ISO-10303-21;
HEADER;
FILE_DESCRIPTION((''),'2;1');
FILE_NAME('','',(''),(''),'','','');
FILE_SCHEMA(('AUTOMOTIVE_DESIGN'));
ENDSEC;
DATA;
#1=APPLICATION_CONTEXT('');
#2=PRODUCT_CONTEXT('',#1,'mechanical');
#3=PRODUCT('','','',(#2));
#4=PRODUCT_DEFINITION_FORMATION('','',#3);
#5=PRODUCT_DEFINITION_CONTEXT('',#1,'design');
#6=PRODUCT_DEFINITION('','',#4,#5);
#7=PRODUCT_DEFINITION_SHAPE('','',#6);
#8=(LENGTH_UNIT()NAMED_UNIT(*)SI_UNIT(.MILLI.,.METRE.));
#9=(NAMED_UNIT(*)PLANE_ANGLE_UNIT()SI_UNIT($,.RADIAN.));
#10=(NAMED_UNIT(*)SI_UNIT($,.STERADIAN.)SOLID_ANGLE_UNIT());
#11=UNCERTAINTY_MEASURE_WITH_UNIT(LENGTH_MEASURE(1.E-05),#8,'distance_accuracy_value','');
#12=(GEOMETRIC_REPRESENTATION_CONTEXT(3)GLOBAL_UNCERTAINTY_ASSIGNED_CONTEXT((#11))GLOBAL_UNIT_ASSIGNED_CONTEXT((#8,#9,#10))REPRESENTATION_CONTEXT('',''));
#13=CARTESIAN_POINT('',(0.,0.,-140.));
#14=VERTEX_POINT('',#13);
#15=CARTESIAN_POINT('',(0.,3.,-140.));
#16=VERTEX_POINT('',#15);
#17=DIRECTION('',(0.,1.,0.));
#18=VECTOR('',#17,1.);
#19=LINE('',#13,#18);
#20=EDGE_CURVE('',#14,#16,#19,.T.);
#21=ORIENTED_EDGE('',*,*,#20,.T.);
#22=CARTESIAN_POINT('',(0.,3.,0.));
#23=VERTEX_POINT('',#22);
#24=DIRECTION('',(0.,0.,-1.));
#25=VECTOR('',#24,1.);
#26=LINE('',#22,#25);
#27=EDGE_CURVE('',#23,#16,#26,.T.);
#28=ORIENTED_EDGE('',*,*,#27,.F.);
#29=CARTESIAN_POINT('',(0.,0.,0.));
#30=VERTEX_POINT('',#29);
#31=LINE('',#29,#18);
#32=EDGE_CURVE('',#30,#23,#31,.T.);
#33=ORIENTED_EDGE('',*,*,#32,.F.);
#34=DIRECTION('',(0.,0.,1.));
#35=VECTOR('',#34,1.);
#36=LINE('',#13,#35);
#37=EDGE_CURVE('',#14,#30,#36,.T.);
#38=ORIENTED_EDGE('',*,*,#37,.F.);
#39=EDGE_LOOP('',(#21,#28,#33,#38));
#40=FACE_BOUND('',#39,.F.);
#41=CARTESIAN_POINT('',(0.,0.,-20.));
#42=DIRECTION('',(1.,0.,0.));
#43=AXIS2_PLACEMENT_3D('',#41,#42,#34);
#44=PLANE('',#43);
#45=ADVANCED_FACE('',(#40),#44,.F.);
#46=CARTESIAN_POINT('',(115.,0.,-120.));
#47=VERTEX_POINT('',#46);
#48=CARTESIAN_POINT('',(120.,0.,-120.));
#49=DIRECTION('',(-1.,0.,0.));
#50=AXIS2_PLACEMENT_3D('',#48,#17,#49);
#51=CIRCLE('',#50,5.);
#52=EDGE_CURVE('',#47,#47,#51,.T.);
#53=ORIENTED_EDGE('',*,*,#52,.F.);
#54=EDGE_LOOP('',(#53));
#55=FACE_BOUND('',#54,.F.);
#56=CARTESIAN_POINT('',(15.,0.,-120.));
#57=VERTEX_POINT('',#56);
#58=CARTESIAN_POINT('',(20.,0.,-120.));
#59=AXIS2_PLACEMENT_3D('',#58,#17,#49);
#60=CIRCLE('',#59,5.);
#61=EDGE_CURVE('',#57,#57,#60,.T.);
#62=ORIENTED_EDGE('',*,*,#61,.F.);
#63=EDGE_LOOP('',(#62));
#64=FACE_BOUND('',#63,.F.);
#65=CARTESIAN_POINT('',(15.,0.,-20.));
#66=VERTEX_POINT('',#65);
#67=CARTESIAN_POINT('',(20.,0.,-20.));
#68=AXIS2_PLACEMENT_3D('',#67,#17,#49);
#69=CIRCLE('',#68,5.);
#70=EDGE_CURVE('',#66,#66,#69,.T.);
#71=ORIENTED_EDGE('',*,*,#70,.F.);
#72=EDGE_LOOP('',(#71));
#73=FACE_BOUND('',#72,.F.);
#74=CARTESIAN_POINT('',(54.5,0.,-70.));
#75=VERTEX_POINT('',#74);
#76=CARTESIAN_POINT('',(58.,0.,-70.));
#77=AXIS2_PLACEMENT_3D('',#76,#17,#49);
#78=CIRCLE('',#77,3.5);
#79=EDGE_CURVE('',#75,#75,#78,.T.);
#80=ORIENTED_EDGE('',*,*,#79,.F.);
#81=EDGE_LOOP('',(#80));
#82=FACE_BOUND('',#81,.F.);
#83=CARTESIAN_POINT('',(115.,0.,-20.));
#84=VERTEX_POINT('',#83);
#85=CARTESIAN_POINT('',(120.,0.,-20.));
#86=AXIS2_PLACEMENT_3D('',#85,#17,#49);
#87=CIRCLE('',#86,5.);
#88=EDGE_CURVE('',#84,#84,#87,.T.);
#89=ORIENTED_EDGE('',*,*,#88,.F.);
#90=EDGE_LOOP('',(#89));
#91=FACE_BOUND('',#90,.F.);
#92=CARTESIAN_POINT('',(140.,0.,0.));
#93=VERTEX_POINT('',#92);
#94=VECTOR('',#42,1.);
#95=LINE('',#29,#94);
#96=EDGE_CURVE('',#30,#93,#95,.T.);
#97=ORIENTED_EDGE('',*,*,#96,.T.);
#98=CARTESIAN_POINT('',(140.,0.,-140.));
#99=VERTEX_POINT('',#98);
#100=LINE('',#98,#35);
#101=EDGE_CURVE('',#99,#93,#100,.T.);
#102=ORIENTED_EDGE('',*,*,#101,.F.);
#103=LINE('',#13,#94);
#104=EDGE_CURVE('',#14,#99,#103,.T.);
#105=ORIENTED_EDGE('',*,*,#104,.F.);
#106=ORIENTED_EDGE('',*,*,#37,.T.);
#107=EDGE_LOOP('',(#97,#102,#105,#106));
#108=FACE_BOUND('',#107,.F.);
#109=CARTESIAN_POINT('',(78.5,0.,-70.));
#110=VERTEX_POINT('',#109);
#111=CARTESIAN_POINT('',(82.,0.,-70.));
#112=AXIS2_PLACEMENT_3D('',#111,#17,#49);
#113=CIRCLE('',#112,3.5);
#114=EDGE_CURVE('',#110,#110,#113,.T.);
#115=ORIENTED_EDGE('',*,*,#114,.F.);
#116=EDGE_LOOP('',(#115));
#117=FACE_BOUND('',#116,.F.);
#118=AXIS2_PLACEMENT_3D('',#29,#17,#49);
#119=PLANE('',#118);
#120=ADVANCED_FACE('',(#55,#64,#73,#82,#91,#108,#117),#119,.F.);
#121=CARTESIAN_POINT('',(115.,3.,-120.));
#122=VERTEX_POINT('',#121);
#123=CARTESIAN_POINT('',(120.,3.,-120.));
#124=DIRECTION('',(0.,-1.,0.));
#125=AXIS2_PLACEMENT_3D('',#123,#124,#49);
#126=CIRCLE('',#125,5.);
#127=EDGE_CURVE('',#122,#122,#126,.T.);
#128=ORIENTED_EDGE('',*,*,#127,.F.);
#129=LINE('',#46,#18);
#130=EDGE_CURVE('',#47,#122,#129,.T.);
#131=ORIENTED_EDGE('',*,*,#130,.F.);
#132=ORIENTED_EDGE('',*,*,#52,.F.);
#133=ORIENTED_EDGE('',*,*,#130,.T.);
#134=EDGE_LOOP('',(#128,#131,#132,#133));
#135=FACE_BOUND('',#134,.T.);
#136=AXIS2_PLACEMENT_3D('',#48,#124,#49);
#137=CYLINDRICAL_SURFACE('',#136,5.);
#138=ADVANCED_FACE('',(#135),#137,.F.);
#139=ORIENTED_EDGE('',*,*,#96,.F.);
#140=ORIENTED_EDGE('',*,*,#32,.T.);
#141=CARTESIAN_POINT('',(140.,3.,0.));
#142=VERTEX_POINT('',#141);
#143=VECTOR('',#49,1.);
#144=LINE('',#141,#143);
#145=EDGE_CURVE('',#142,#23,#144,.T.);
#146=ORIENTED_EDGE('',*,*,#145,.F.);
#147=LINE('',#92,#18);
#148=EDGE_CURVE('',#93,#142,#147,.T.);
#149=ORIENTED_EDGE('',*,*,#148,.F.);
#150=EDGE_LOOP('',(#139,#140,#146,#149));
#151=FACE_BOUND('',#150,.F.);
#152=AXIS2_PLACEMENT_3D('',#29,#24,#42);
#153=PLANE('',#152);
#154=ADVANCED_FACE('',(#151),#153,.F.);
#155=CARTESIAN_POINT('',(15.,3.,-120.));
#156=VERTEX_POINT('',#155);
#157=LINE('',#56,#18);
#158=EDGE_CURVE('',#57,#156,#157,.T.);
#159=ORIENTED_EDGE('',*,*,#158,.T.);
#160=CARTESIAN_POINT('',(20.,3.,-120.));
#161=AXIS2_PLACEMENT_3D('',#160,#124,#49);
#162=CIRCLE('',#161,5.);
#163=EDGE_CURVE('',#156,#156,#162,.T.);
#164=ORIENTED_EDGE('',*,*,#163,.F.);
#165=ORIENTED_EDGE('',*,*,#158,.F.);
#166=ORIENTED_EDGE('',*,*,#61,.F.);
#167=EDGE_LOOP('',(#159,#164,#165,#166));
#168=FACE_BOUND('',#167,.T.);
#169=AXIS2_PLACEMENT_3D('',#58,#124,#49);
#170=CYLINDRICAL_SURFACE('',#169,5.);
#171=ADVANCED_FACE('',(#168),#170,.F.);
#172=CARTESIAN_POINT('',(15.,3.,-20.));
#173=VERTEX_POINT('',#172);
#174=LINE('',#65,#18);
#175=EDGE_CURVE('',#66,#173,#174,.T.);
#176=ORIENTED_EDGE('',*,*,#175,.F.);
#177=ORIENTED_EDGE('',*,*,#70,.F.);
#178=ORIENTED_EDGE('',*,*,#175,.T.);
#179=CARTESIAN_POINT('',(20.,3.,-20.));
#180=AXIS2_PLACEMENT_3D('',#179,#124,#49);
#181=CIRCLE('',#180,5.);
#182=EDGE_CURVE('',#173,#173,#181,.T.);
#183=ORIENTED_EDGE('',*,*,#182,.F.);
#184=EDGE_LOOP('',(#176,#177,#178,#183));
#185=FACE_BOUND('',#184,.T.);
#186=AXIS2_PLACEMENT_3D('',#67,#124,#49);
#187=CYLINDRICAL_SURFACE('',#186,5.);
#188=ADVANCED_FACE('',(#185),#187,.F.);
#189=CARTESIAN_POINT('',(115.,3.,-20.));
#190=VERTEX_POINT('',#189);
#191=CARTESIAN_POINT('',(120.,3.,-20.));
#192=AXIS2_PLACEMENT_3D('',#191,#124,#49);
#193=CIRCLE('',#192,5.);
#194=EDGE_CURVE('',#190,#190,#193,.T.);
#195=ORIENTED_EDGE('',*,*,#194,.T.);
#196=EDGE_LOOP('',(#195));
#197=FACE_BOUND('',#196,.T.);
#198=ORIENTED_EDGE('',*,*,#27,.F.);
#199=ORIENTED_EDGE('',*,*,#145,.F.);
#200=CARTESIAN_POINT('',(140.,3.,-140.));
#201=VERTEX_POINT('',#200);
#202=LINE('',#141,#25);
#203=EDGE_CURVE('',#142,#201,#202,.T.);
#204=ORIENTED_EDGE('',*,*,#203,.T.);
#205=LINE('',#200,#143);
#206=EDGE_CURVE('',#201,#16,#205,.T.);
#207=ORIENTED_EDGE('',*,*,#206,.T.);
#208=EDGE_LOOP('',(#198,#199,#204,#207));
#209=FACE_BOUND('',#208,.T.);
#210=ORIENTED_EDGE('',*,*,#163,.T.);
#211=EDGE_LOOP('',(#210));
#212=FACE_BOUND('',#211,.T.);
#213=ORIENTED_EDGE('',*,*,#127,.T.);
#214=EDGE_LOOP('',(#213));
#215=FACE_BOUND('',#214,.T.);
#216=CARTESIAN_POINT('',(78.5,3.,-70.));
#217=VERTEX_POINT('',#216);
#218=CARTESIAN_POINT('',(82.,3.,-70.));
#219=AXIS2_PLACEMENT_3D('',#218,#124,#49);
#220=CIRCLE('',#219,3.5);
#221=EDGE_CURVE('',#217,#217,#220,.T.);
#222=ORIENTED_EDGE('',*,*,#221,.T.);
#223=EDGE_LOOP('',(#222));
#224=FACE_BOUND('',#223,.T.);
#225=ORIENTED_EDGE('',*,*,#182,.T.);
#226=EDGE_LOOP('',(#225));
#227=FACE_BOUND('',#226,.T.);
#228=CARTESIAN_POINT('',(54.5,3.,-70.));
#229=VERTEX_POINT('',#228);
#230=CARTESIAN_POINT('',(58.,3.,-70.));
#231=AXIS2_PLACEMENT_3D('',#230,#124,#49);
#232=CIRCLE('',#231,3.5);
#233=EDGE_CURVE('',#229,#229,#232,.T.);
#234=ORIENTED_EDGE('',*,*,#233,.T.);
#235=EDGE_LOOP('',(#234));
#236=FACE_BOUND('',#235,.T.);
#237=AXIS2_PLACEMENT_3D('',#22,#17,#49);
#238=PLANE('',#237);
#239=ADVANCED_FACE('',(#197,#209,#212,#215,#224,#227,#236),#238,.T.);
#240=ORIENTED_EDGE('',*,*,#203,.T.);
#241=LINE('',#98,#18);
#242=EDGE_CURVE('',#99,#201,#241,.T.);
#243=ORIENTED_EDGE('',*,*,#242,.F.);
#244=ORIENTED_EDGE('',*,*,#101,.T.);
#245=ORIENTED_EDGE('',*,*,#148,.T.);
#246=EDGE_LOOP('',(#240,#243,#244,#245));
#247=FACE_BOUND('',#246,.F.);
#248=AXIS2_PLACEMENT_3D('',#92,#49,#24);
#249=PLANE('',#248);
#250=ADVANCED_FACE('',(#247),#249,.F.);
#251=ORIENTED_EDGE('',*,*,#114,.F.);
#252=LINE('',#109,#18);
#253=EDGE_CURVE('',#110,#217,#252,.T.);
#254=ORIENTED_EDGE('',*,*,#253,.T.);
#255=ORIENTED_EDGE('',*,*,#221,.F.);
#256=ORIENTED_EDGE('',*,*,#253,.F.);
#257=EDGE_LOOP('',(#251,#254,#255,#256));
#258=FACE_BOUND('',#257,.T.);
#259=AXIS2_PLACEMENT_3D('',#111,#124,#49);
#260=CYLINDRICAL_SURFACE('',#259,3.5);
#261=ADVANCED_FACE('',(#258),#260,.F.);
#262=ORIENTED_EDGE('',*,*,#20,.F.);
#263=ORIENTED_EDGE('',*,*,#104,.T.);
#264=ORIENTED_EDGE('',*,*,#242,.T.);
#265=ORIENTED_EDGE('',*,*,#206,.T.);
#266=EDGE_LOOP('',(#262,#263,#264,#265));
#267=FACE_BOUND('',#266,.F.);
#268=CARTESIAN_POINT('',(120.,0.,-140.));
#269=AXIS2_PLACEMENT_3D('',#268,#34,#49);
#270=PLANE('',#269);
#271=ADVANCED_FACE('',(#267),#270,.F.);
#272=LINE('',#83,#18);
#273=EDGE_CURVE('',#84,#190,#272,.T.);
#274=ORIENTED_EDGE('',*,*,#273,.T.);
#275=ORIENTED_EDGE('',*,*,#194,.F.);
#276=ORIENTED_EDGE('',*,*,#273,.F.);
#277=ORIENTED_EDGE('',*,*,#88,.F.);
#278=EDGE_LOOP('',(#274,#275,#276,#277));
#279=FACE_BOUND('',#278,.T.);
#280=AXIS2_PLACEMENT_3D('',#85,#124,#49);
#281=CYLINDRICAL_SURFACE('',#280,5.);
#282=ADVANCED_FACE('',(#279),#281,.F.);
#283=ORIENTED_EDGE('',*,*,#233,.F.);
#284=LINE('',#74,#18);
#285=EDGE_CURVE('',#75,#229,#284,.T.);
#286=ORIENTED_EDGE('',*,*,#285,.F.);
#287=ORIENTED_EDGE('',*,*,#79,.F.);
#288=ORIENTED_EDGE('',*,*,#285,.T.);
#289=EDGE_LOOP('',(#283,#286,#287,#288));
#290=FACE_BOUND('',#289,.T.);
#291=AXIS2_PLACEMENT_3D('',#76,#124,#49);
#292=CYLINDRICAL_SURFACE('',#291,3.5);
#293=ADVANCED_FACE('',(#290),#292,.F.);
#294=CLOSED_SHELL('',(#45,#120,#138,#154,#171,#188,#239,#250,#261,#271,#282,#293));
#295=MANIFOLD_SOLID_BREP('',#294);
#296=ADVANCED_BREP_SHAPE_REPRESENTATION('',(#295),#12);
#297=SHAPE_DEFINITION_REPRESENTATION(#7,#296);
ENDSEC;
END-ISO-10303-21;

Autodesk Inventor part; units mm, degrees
ref_plane "YZ Plane" through (0, 0, 0) normal (1, 0, 0) x (0, 1, 0)
ref_plane "XZ Plane" through (0, 0, 0) normal (0, 1, 0) x (-1, 0, 0)
ref_plane "XY Plane" through (0, 0, 0) normal (0, 0, 1) x (1, 0, 0)
sketch "Эскиз1" plane through (0, 0, 0) normal (0, 1, 0) x (-1, 0, 0)
  line L0 (0, 0) -> (-140, 0)
  line L1 (-140, 0) -> (-140, -140)
  line L2 (-140, -140) -> (0, -140)
  line L3 (0, -140) -> (0, 0)
  line L4 (0, 0) -> (-20, 0)
  line L5 (-20, 0) -> (-20, -20)
  line L6 (-20, -20) -> (0, -20)
  line L7 (0, -20) -> (0, 0)
  line L8 (-140, -140) -> (-120, -140)
  line L9 (-120, -140) -> (-120, -120)
  line L10 (-120, -120) -> (-140, -120)
  line L11 (-140, -120) -> (-140, -140)
  line L12 (-120, -120) -> (-20, -120)
  line L13 (-20, -120) -> (-20, -20)
  line L14 (-20, -20) -> (-120, -20)
  line L15 (-120, -20) -> (-120, -120)
  circle A0 centre (-20, -20) radius 5
  circle A1 centre (-20, -120) radius 5
  circle A2 centre (-120, -20) radius 5
  circle A3 centre (-120, -120) radius 5
  line L16 (-140, -70) -> (0, -70)
  line L17 (-70, -70) -> (-58, -70)
  line L18 (-58, -70) -> (-82, -70)
  circle A4 centre (-58, -70) radius 3.5
  circle A5 centre (-82, -70) radius 3.5
  dimension "d0" = 140
  dimension "d1" = 140
  dimension "d2" = 20
  dimension "d3" = 20
  dimension "d4" = 20
  dimension "d5" = 20
  dimension "d6" = 10
  dimension "d7" = 10
  dimension "d8" = 10
  dimension "d9" = 10
  dimension "d10" = 12
  dimension "d11" = 24
  dimension "d12" = 7
  dimension "d13" = 7
extrude "Выдавливание1" add sketch "Эскиз1" along normal blind 3 contours L3 L6 A0 L5 L0 | L5 A0 L14 A2 L15 L16 L1 L0 | L3 L16 L13 A0 L6 | L3 L2 L9 A3 L12 A1 L13 L16 | L16 L15 A3 L10 L1 | A0 L13 L16 A4 A5 L15 A2 L14 | L13 A1 L12 A3 L15 L16 A5 A4 | L10 A3 L9 L2 L1
properties part number "Пластина"
